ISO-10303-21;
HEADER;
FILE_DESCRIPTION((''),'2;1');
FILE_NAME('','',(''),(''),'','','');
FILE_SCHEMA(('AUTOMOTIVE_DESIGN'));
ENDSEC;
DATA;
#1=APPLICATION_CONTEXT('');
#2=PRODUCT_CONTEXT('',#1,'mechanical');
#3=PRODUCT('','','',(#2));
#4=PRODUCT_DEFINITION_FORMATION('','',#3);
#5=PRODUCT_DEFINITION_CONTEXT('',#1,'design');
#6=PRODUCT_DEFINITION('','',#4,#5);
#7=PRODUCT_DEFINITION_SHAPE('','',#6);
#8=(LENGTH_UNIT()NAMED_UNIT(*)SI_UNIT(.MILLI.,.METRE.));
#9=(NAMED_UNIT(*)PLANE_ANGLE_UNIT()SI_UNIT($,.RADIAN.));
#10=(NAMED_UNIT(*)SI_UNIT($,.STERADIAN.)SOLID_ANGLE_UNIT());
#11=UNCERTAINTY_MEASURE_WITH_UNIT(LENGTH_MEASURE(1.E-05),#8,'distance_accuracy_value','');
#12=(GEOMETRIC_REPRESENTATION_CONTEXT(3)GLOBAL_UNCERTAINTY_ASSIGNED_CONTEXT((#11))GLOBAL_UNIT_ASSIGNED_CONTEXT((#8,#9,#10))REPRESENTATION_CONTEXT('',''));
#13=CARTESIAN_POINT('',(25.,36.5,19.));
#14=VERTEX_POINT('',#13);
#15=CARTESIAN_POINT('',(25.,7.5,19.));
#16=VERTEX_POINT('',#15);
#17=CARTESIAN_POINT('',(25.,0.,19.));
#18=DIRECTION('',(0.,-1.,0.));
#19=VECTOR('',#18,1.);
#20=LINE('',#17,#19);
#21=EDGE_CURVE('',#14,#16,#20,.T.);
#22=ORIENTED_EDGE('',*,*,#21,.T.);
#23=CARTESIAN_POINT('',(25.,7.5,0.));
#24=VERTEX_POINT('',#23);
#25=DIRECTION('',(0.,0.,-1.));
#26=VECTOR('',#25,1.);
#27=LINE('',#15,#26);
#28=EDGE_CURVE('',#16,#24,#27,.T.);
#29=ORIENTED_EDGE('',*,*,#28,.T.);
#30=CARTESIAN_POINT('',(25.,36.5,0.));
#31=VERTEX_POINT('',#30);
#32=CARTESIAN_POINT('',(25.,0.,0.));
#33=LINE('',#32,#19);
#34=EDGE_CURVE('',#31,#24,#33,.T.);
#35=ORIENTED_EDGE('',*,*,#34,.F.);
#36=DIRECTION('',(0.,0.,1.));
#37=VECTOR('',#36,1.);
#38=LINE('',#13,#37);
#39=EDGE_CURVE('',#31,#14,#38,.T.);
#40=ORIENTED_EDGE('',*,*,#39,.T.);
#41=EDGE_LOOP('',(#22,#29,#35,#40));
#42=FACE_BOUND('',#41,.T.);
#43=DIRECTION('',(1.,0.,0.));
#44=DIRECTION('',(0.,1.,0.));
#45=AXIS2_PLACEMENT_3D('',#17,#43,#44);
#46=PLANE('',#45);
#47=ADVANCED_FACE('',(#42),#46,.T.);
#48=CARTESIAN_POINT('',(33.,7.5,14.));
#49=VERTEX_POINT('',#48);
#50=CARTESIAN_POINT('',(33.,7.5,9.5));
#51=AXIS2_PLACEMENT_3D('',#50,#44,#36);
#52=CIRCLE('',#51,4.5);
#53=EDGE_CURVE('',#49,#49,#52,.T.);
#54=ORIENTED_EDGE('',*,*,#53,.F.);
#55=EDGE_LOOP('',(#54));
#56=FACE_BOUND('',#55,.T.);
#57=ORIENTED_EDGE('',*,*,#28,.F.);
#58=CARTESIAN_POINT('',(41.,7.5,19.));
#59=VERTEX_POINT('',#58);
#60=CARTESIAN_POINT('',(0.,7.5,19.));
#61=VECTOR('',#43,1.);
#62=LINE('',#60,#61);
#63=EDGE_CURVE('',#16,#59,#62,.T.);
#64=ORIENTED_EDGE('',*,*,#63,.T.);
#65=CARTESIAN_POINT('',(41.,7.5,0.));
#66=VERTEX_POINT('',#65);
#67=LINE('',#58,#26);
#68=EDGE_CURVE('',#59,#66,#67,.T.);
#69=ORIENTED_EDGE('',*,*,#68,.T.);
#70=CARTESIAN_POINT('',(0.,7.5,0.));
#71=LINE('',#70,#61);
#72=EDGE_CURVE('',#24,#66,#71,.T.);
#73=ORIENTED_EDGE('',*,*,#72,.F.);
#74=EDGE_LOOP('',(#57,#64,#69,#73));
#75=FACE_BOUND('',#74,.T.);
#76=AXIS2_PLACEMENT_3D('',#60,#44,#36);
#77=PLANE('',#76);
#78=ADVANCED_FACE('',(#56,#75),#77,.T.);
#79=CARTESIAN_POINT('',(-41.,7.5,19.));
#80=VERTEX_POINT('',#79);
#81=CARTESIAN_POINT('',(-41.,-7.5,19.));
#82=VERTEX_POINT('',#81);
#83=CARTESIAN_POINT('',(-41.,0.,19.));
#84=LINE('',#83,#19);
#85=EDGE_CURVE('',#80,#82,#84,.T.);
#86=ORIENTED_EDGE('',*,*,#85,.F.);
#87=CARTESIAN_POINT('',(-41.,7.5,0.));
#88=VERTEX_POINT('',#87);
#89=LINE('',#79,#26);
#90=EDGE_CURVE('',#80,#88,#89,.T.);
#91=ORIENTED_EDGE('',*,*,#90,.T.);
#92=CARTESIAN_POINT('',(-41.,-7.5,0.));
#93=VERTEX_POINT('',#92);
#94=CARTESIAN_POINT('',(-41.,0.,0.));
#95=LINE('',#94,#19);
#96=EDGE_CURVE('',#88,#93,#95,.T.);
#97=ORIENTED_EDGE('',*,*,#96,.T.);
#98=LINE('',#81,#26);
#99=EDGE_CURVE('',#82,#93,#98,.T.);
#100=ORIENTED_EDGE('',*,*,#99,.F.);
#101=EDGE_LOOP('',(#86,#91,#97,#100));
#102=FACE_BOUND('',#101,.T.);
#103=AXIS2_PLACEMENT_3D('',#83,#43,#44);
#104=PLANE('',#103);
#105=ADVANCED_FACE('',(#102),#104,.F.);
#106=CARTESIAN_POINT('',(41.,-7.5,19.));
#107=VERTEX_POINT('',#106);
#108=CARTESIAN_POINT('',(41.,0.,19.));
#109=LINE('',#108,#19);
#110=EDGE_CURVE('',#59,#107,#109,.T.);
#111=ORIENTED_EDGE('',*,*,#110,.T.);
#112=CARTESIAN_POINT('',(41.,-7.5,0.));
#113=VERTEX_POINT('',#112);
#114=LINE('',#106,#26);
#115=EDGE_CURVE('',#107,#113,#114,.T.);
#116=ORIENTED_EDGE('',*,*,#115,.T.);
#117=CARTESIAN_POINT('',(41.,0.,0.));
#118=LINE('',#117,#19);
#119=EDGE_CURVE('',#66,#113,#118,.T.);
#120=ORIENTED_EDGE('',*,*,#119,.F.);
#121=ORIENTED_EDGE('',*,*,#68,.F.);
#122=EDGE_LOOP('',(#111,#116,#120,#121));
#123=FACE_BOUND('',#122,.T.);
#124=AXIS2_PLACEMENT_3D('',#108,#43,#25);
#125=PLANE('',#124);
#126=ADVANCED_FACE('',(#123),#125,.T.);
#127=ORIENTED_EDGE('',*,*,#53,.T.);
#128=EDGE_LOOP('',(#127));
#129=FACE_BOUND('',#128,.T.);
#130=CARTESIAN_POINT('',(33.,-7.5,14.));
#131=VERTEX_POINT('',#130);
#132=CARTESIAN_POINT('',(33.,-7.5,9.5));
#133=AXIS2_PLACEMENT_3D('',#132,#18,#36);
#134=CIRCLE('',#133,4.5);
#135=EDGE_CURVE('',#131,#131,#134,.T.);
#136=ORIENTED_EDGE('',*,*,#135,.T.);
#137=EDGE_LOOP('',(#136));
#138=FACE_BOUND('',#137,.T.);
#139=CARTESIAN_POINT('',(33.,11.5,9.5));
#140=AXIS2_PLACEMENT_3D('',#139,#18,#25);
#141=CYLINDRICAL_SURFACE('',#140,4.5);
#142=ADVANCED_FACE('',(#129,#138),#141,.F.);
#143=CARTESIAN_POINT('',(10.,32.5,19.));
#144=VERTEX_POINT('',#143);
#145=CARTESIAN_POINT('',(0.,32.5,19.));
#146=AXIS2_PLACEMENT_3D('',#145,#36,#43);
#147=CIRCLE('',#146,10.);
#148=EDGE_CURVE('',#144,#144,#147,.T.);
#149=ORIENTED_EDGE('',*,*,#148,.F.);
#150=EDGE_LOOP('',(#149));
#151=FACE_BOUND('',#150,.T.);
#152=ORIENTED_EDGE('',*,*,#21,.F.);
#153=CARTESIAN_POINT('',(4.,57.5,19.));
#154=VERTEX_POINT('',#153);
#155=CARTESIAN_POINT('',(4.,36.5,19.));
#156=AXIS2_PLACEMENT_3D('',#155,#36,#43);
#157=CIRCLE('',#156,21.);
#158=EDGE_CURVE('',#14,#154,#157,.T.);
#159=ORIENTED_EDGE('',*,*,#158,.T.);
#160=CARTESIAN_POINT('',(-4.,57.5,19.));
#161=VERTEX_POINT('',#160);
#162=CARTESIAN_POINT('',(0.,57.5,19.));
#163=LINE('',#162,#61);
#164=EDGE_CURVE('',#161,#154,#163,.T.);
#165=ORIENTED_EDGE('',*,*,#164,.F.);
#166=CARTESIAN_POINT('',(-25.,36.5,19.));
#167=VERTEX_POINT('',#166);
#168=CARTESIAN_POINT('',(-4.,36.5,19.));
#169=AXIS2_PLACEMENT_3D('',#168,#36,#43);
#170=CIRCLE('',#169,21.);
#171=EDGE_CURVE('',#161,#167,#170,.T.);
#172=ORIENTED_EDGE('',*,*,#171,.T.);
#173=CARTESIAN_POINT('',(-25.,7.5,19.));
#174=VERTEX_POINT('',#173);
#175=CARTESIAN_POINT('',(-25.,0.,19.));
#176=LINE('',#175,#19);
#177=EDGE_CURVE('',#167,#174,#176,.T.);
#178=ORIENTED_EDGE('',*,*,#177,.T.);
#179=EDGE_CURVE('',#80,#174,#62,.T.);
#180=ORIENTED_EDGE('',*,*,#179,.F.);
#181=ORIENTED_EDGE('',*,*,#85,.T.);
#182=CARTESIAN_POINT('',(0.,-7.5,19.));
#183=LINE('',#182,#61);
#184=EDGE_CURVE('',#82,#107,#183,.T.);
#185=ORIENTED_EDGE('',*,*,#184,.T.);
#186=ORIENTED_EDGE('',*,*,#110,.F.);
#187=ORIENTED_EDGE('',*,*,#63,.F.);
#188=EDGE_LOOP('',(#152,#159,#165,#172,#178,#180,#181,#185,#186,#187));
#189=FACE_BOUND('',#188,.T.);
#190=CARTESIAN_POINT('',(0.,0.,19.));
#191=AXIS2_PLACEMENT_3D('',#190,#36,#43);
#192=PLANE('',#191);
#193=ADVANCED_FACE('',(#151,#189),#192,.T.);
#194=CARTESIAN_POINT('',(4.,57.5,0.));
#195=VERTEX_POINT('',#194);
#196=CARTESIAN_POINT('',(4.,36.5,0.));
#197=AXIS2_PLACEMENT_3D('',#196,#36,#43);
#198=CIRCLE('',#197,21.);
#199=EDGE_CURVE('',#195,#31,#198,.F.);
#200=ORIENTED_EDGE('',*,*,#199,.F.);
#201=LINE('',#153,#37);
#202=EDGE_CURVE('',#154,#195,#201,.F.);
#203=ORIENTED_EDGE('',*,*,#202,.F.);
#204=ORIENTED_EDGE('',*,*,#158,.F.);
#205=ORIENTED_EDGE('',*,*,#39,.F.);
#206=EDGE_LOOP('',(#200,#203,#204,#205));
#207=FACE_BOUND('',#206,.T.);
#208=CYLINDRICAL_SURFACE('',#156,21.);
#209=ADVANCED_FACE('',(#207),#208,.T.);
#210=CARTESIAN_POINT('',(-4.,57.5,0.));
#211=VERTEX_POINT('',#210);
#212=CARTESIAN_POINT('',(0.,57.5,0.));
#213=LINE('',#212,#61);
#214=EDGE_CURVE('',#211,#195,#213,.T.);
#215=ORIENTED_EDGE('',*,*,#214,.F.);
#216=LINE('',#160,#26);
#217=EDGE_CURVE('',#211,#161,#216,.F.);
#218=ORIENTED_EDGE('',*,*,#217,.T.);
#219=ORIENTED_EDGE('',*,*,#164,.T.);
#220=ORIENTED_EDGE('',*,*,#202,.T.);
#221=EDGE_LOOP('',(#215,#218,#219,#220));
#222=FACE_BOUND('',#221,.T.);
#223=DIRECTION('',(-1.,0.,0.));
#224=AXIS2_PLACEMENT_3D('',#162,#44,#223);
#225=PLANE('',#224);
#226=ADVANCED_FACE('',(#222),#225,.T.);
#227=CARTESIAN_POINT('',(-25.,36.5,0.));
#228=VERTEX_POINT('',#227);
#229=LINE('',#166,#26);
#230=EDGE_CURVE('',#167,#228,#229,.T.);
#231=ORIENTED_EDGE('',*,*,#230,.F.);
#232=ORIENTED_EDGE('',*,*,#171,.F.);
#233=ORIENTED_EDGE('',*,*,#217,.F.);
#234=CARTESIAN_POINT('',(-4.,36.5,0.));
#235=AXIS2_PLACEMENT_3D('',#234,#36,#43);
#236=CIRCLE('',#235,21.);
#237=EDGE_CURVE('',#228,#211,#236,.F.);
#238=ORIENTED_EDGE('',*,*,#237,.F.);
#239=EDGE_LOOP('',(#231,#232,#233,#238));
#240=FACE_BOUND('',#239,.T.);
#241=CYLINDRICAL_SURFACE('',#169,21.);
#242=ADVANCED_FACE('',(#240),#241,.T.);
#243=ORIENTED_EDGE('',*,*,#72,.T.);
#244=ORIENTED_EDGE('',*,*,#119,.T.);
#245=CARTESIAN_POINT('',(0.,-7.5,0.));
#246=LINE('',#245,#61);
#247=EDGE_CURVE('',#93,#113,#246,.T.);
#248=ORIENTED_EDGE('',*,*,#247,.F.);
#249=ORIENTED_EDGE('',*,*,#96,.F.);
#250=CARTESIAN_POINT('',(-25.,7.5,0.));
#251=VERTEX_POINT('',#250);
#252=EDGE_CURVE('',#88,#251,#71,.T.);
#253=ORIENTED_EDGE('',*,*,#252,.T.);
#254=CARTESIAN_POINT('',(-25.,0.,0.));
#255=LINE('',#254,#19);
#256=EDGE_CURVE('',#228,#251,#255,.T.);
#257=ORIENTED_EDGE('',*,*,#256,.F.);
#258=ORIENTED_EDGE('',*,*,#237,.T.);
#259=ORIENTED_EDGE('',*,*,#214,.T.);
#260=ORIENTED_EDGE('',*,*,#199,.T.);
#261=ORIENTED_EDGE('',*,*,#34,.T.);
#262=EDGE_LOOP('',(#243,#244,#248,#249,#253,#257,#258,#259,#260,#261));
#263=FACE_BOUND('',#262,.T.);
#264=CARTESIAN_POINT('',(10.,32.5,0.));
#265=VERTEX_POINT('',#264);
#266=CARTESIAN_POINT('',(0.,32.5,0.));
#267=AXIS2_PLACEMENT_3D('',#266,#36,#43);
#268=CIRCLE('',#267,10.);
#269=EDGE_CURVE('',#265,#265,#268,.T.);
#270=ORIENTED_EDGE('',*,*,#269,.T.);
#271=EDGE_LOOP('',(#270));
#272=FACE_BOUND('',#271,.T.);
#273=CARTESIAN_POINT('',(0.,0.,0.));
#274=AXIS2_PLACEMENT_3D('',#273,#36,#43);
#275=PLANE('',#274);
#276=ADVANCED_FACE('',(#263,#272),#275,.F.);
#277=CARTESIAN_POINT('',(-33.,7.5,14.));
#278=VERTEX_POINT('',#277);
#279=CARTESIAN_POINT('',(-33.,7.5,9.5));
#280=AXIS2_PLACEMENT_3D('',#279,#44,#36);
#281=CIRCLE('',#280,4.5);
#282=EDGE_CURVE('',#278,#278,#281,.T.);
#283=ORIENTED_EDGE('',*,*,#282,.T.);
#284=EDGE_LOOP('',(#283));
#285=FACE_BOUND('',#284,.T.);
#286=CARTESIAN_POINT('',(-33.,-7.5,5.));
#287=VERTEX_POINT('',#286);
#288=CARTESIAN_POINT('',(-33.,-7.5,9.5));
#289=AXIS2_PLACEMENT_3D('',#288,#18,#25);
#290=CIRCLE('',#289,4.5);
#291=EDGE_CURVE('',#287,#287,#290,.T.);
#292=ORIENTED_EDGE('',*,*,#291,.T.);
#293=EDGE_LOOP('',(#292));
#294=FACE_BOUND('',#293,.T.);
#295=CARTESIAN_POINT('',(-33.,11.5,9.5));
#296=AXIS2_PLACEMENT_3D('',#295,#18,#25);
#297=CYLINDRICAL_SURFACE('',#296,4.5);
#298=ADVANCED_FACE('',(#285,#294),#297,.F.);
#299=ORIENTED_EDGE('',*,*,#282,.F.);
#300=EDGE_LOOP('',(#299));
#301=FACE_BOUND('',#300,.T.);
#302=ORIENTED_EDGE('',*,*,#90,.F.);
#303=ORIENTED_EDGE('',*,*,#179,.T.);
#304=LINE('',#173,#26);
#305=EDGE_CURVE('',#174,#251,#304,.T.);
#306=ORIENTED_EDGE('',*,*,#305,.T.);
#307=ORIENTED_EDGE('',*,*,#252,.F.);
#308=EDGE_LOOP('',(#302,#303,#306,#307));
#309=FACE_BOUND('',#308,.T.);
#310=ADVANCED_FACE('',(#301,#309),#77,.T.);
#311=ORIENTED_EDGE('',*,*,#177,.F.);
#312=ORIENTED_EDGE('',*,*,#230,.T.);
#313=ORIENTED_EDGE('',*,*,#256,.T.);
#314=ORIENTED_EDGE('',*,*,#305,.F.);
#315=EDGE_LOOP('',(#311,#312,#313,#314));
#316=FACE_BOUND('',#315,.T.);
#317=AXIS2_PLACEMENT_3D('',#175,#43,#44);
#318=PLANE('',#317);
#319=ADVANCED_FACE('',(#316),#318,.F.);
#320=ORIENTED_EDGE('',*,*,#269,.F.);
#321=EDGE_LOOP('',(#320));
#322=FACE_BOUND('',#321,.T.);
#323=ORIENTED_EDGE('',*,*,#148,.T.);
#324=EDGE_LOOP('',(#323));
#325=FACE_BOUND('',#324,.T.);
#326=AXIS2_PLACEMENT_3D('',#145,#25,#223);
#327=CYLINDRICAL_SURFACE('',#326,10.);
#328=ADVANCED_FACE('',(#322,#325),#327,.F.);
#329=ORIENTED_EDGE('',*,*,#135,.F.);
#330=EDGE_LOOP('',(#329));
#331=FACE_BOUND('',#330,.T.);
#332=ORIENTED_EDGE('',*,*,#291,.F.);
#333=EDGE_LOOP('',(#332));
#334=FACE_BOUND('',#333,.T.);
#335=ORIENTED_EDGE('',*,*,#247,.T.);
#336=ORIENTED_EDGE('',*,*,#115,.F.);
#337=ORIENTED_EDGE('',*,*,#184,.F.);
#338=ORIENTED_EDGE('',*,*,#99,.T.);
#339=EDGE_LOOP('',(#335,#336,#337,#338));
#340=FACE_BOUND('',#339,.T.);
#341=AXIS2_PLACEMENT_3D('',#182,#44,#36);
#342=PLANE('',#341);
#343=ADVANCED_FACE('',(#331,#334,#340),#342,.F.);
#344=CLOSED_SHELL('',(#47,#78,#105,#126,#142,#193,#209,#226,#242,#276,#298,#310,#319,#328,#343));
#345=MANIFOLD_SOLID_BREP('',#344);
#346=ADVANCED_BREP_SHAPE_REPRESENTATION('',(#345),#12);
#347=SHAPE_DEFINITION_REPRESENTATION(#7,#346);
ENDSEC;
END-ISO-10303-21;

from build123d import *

# Parameters (mm, degrees)
SKETCH_1_W          = 50
SKETCH_1_H          = 50
SKETCH_1_R          = 10
SKETCH_1_W_2        = 82
SKETCH_1_H_2        = 15
EXTRUDE_1_DEPTH     = 19
FILLET_1_R          = 21
FILLET_3_R          = 21
SKETCH_2_R          = 4.5
CUT_EXTRUDE_1_DEPTH = 19


with BuildPart() as part:
    # 草图1 → 凸台-拉伸1 (new body)
    with BuildSketch(Plane.XY):
        with Locations((0, 32.5)):
            Rectangle(SKETCH_1_W, SKETCH_1_H)
        with Locations((0, 32.5)):
            Circle(SKETCH_1_R, mode=Mode.SUBTRACT)
        Rectangle(SKETCH_1_W_2, SKETCH_1_H_2)
    extrude(amount=EXTRUDE_1_DEPTH)

    # 圆角1
    fillet_1_edges = [part.edges().sort_by_distance(p)[0] for p in [
        (-25, 57.5, 9.5),
    ]]
    fillet(fillet_1_edges, radius=FILLET_1_R)

    # 圆角3
    fillet_3_edges = [part.edges().sort_by_distance(p)[0] for p in [
        (25, 57.5, 9.5),
    ]]
    fillet(fillet_3_edges, radius=FILLET_3_R)

    # 草图2 → 切除-拉伸1 (cut)
    with BuildSketch(Plane.XZ.offset(7.5)):
        with Locations((-33, 9.5)):
            Circle(SKETCH_2_R)
        with Locations((33, 9.5)):
            Circle(SKETCH_2_R)
    extrude(amount=-CUT_EXTRUDE_1_DEPTH, mode=Mode.SUBTRACT)


solid = part.part
